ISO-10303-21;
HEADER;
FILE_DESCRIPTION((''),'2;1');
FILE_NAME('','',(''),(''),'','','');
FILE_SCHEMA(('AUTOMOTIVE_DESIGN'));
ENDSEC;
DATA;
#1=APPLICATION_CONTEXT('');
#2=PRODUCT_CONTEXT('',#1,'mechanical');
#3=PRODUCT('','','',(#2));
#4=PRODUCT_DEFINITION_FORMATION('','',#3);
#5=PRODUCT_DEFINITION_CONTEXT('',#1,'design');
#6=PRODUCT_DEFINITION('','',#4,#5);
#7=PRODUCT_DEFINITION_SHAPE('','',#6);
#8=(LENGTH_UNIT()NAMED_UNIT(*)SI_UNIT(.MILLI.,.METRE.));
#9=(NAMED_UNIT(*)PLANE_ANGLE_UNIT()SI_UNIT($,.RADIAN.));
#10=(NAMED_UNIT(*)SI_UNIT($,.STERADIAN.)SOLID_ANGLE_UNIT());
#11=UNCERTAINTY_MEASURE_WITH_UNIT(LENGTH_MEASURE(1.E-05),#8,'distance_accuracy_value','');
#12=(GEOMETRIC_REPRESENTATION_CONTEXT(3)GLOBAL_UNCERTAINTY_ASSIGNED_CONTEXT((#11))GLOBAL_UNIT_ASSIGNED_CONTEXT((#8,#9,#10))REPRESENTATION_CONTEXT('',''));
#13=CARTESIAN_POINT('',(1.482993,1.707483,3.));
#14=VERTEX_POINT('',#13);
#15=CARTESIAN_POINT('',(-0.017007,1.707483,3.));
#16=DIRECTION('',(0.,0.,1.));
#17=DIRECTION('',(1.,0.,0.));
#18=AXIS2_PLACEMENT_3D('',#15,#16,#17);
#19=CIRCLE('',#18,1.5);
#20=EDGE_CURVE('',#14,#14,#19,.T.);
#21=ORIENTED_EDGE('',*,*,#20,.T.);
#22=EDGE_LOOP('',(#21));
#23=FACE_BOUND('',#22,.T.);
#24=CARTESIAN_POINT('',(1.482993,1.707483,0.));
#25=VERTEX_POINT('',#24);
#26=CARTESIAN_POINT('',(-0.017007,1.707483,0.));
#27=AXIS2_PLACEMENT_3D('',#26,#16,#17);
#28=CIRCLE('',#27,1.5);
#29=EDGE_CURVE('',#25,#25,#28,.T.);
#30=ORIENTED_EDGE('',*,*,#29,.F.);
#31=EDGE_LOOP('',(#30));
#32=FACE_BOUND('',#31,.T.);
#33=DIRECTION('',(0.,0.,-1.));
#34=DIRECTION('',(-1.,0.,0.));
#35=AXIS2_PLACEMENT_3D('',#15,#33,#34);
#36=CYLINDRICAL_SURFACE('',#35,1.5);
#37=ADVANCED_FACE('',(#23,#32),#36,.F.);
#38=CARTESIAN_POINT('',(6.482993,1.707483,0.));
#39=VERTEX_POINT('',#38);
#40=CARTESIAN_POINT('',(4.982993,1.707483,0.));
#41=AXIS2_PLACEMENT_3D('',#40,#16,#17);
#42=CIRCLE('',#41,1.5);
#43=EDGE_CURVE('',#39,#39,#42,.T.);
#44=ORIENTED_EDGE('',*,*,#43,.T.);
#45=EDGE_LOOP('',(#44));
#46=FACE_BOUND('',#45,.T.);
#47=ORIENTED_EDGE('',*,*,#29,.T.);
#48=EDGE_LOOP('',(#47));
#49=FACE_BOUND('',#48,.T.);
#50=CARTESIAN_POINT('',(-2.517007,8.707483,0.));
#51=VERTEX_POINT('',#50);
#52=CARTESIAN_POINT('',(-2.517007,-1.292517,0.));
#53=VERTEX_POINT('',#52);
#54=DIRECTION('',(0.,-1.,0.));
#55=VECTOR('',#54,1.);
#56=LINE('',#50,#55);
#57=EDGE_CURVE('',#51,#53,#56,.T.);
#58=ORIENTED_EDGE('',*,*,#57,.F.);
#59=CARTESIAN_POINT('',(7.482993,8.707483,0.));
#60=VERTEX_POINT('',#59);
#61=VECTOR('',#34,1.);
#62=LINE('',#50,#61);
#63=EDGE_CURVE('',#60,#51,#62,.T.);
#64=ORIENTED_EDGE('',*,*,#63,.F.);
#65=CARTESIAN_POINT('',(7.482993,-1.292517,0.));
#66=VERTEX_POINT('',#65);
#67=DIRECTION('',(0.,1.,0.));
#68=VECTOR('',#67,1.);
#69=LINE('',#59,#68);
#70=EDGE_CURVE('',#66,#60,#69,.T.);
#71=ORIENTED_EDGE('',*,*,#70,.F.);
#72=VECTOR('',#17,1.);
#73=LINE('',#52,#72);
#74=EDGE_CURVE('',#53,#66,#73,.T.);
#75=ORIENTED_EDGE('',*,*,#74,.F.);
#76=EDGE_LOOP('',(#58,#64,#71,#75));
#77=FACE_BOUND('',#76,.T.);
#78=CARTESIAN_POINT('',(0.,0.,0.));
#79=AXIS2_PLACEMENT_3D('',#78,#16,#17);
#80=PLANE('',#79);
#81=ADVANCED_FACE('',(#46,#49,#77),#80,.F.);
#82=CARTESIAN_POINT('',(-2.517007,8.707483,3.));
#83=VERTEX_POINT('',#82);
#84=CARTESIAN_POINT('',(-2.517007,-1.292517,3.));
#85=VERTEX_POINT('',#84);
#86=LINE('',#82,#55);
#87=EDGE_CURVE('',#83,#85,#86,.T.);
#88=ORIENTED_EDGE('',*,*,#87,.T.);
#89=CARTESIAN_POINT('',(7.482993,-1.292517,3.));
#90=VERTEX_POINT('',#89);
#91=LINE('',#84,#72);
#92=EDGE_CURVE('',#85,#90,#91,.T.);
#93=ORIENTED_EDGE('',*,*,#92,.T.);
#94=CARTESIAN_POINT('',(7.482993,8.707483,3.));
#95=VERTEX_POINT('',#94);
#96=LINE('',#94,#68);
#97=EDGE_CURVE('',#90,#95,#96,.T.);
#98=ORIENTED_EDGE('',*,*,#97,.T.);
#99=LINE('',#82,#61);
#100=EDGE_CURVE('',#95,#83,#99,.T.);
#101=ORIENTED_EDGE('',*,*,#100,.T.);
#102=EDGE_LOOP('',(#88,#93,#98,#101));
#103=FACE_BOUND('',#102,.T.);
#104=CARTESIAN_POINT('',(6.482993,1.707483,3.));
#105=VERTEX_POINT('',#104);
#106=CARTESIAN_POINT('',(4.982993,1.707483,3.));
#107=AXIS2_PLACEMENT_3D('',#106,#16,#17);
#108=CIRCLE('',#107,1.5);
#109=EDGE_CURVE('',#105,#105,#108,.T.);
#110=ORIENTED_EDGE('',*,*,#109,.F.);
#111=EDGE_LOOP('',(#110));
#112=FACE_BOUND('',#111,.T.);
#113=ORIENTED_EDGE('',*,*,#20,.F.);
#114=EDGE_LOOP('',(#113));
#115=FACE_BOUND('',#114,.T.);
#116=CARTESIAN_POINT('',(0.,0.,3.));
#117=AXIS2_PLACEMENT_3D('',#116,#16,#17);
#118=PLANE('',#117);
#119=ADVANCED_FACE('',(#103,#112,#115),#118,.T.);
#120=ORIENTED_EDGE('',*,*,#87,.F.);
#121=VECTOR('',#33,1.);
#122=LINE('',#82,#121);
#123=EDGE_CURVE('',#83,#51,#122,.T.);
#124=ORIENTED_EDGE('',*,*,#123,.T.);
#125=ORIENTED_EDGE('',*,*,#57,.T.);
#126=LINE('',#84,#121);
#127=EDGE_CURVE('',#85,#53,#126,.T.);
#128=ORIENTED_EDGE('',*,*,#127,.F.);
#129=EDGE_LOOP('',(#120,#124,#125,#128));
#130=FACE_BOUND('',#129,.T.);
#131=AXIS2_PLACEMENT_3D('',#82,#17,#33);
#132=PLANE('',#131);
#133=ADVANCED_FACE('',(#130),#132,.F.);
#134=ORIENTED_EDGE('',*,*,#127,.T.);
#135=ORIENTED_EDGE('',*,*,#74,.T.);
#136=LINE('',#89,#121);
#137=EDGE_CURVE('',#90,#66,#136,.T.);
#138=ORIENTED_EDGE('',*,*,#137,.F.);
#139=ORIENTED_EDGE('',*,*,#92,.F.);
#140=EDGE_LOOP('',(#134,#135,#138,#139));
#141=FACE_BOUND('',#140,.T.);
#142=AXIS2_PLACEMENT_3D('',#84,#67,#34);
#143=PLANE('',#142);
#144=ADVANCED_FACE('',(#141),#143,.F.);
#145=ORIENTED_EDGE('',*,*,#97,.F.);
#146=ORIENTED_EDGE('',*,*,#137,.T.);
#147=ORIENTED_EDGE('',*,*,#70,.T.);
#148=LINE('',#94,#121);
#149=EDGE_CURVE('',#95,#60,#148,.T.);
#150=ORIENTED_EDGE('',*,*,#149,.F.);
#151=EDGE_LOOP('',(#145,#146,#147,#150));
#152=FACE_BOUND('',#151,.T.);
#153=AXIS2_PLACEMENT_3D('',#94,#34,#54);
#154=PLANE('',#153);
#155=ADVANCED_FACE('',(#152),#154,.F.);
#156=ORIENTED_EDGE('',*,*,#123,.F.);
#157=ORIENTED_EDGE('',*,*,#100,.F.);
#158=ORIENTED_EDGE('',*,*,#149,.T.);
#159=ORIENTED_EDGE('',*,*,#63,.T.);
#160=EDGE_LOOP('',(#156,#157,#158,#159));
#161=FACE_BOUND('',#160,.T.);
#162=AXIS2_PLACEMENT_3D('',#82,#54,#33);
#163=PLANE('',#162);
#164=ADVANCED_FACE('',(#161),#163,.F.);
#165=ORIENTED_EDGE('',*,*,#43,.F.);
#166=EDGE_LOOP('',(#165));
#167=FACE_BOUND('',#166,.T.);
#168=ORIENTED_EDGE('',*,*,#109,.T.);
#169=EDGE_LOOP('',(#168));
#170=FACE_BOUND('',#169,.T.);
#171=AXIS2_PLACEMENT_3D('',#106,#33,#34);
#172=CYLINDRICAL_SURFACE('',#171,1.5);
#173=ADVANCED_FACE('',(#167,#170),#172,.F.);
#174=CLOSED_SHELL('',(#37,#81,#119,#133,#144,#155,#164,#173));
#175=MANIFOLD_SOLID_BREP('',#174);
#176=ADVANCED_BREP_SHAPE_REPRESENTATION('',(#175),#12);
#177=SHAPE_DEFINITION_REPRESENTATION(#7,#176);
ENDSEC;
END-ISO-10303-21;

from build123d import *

# Parameters (mm, degrees)
SKETCH1_W           = 10
SKETCH1_H           = 10
SKETCH1_R           = 1.5
BOSS_EXTRUDE1_DEPTH = 3


with BuildPart() as part:
    # Sketch1 → Boss-Extrude1 (new body)
    with BuildSketch(Plane.XY):
        with Locations((2.482993197, 3.707482993)):
            Rectangle(SKETCH1_W, SKETCH1_H)
        with Locations((-0.017006803, 1.707482993)):
            Circle(SKETCH1_R, mode=Mode.SUBTRACT)
        with Locations((4.982993197, 1.707482993)):
            Circle(SKETCH1_R, mode=Mode.SUBTRACT)
    extrude(amount=BOSS_EXTRUDE1_DEPTH)


solid = part.part
